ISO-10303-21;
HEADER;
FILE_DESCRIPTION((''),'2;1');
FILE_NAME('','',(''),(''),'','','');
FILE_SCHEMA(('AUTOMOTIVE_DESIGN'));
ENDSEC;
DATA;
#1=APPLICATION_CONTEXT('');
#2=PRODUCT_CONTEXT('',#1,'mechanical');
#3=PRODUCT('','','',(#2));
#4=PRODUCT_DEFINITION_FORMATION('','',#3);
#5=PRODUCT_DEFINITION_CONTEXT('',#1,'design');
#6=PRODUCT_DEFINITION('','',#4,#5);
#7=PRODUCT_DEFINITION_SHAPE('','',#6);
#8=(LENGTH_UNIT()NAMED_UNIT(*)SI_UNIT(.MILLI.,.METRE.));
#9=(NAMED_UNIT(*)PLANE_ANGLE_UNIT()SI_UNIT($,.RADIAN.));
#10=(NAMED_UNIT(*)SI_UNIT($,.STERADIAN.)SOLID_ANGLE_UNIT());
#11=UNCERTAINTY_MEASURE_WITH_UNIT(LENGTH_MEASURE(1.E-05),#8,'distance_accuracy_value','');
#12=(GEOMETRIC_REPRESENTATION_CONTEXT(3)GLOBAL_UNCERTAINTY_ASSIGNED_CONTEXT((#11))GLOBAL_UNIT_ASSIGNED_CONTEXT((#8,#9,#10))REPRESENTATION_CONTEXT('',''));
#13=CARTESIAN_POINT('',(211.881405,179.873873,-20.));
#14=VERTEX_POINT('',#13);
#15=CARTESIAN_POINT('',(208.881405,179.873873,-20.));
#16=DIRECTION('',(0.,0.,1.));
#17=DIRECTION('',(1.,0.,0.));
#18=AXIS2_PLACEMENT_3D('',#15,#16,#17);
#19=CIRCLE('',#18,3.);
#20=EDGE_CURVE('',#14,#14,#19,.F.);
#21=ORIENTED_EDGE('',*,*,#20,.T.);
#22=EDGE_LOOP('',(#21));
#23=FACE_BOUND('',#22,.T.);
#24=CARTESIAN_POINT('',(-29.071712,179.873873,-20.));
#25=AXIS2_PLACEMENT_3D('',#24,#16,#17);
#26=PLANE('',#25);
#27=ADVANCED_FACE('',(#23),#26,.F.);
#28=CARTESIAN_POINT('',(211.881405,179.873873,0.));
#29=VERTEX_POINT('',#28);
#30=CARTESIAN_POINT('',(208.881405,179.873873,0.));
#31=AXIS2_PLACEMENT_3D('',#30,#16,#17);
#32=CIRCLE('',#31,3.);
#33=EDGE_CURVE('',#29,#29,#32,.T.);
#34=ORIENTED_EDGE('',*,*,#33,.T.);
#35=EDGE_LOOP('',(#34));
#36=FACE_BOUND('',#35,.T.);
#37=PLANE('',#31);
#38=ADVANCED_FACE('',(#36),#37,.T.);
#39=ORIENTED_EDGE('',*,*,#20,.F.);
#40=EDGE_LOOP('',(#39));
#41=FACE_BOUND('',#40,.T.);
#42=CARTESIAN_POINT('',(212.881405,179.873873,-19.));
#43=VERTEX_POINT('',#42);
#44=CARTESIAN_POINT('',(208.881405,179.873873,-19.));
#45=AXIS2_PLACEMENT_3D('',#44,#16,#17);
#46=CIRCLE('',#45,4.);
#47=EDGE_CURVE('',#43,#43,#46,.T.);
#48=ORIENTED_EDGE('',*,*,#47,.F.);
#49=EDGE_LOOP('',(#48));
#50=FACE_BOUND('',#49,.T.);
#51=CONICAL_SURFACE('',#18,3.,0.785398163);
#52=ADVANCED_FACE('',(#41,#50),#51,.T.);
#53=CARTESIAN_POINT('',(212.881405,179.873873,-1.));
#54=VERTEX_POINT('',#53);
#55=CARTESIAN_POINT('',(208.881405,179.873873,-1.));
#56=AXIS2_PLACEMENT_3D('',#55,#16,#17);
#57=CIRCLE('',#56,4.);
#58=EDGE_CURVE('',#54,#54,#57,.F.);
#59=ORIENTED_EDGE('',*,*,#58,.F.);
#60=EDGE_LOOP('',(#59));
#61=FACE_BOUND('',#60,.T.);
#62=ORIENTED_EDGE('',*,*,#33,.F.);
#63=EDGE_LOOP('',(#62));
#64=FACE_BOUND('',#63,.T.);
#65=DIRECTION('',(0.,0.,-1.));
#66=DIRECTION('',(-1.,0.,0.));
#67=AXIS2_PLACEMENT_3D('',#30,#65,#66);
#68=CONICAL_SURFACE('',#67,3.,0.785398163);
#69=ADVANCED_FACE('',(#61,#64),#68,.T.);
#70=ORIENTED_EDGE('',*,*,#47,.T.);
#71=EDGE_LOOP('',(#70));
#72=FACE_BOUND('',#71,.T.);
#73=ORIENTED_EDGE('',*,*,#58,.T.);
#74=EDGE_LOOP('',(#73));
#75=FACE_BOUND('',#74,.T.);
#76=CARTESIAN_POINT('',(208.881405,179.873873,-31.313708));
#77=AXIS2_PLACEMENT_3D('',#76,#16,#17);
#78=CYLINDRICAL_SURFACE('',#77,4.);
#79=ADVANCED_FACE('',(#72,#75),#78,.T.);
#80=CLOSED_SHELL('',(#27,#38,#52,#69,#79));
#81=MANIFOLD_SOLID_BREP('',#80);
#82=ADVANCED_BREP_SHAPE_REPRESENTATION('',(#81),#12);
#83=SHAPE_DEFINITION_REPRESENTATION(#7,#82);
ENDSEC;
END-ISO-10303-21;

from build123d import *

# Parameters (mm, degrees)
ESBO_O1_R                = 4
RESSALTO_EXTRUS_O1_DEPTH = 20
CHANFRO1_SIZE            = 1


with BuildPart() as part:
    # Esboço1 → Ressalto-extrusão1 (new body)
    with BuildSketch(Plane.XY):
        with Locations((208.88140452, 179.873872767)):
            Circle(ESBO_O1_R)
    extrude(amount=-RESSALTO_EXTRUS_O1_DEPTH)

    # Chanfro1
    chanfro1_edges = [part.edges().sort_by_distance(p)[0] for p in [
        (204.88140452, 179.873872767, 0),
        (204.88140452, 179.873872767, -20),
    ]]
    chamfer(chanfro1_edges, length=CHANFRO1_SIZE)


solid = part.part
